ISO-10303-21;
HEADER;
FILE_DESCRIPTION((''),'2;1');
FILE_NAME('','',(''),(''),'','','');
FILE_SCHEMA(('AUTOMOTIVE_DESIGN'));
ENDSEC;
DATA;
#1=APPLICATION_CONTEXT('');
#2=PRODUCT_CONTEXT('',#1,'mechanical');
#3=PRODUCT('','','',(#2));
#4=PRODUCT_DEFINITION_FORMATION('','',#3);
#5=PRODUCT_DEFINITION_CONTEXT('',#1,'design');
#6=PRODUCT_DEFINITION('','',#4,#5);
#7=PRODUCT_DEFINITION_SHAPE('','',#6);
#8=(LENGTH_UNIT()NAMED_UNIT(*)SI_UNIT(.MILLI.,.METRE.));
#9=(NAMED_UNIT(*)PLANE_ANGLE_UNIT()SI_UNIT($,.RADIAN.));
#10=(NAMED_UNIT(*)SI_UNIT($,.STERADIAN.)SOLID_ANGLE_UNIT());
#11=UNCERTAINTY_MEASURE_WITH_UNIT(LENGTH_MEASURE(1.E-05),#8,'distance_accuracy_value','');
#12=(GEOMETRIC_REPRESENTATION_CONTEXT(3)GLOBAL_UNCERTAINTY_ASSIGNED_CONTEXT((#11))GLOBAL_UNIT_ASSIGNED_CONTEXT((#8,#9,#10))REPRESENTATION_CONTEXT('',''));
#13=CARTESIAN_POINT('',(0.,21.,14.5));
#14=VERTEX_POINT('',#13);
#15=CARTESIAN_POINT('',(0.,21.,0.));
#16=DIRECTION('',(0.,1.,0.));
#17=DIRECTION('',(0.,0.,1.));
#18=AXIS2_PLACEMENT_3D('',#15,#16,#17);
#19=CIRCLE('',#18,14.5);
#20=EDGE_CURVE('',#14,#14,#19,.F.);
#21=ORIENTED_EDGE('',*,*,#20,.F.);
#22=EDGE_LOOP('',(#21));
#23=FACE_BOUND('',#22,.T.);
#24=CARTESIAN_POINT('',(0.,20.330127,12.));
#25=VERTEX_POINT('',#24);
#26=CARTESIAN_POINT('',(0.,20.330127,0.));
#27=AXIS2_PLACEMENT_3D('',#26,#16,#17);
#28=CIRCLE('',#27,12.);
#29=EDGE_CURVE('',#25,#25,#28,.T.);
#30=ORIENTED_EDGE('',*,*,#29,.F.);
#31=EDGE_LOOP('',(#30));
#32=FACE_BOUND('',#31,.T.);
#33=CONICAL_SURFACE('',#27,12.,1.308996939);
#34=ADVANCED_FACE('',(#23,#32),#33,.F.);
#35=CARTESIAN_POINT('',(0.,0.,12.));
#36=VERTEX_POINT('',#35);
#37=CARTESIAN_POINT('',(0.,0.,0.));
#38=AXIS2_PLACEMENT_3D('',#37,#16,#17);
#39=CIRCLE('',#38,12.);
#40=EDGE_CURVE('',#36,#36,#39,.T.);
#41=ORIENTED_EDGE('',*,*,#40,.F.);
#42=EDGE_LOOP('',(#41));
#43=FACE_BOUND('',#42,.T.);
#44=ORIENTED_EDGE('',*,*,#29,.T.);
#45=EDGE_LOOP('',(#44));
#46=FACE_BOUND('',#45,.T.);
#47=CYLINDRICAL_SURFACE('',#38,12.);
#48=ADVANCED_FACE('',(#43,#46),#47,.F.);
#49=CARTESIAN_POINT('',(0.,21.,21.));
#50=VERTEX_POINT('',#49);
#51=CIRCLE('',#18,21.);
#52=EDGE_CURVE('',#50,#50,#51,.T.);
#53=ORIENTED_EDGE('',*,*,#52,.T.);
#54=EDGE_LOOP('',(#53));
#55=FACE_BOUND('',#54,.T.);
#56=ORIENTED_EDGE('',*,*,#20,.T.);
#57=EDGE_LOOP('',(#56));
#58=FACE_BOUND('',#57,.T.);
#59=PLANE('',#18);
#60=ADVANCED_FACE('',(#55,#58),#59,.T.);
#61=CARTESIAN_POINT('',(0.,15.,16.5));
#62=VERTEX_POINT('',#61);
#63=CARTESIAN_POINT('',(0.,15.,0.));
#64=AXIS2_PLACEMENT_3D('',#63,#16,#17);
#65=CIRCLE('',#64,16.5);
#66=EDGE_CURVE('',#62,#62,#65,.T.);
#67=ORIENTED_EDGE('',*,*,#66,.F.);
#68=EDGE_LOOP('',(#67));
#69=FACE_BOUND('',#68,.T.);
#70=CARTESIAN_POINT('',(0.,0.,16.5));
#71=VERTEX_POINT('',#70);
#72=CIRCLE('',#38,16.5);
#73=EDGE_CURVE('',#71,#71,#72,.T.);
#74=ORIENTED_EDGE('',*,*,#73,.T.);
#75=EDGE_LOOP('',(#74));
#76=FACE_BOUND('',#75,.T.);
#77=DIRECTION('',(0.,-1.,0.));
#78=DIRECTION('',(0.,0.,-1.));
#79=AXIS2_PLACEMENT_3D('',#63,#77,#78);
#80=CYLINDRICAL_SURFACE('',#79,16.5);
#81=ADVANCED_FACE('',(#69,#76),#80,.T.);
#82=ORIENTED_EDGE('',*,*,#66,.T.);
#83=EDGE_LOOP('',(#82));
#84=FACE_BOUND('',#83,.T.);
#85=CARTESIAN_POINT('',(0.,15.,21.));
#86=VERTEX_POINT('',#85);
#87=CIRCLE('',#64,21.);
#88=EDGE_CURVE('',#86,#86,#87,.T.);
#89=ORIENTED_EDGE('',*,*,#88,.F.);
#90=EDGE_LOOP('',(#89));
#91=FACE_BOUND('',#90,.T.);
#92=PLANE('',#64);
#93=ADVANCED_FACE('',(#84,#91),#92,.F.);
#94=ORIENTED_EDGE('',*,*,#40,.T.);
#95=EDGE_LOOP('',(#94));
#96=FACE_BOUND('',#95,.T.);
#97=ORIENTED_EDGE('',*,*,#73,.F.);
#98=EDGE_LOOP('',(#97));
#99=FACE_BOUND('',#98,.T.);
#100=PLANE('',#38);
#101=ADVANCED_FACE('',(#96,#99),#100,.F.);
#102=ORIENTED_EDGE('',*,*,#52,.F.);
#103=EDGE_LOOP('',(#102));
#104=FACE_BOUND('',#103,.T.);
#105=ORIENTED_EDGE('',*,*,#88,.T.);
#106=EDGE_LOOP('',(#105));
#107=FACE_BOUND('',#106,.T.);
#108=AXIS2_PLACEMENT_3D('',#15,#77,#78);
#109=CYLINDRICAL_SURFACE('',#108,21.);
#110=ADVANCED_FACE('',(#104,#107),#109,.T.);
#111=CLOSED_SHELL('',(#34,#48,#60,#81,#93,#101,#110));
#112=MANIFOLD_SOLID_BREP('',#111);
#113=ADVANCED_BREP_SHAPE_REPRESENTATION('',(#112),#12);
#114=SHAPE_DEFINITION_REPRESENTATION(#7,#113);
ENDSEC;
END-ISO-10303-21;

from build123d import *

# Parameters (mm, degrees)
SKETCH1_R           = 16.5
BOSS_EXTRUDE1_DEPTH = 15
SKETCH2_R           = 21
BOSS_EXTRUDE2_DEPTH = 6
SKETCH3_R           = 12
CUT_EXTRUDE1_DEPTH  = 37.373066959
CHAMFER1_SIZE       = 2.5
CHAMFER1_SIZE2      = 0.669872981


with BuildPart() as part:
    # Sketch1 → Boss-Extrude1 (new body)
    with BuildSketch(Plane(origin=(0, 0, 0), x_dir=(1, 0, 0), z_dir=(0, 1, 0))):
        with Locations(Location((0, 0, 0), (0, 0, 270))):
            Circle(SKETCH1_R)
    extrude(amount=BOSS_EXTRUDE1_DEPTH)

    # Sketch2 → Boss-Extrude2 (add)
    with BuildSketch(Plane(origin=(0, 15, 0), x_dir=(1, 0, 0), z_dir=(0, 1, 0))):
        with Locations(Location((0, 0, 0), (0, 0, 270))):
            Circle(SKETCH2_R)
    extrude(amount=BOSS_EXTRUDE2_DEPTH)

    # Sketch3 → Cut-Extrude1 (cut, through all)
    with BuildSketch(Plane(origin=(0, 21, 0), x_dir=(1, 0, 0), z_dir=(0, 1, 0))):
        with Locations(Location((0, 0, 0), (0, 0, 270))):
            Circle(SKETCH3_R)
    extrude(amount=-CUT_EXTRUDE1_DEPTH, mode=Mode.SUBTRACT)

    # Chamfer1
    chamfer1_edges = [part.edges().sort_by_distance(p)[0] for p in [
        (0, 21, -12),
    ]]
    chamfer1_side = [part.faces().sort_by_distance(p)[0] for p in [
        (0, 21, -20.406030304),
    ]]
    chamfer(chamfer1_edges, length=CHAMFER1_SIZE, length2=CHAMFER1_SIZE2, reference=chamfer1_side[0])


solid = part.part
